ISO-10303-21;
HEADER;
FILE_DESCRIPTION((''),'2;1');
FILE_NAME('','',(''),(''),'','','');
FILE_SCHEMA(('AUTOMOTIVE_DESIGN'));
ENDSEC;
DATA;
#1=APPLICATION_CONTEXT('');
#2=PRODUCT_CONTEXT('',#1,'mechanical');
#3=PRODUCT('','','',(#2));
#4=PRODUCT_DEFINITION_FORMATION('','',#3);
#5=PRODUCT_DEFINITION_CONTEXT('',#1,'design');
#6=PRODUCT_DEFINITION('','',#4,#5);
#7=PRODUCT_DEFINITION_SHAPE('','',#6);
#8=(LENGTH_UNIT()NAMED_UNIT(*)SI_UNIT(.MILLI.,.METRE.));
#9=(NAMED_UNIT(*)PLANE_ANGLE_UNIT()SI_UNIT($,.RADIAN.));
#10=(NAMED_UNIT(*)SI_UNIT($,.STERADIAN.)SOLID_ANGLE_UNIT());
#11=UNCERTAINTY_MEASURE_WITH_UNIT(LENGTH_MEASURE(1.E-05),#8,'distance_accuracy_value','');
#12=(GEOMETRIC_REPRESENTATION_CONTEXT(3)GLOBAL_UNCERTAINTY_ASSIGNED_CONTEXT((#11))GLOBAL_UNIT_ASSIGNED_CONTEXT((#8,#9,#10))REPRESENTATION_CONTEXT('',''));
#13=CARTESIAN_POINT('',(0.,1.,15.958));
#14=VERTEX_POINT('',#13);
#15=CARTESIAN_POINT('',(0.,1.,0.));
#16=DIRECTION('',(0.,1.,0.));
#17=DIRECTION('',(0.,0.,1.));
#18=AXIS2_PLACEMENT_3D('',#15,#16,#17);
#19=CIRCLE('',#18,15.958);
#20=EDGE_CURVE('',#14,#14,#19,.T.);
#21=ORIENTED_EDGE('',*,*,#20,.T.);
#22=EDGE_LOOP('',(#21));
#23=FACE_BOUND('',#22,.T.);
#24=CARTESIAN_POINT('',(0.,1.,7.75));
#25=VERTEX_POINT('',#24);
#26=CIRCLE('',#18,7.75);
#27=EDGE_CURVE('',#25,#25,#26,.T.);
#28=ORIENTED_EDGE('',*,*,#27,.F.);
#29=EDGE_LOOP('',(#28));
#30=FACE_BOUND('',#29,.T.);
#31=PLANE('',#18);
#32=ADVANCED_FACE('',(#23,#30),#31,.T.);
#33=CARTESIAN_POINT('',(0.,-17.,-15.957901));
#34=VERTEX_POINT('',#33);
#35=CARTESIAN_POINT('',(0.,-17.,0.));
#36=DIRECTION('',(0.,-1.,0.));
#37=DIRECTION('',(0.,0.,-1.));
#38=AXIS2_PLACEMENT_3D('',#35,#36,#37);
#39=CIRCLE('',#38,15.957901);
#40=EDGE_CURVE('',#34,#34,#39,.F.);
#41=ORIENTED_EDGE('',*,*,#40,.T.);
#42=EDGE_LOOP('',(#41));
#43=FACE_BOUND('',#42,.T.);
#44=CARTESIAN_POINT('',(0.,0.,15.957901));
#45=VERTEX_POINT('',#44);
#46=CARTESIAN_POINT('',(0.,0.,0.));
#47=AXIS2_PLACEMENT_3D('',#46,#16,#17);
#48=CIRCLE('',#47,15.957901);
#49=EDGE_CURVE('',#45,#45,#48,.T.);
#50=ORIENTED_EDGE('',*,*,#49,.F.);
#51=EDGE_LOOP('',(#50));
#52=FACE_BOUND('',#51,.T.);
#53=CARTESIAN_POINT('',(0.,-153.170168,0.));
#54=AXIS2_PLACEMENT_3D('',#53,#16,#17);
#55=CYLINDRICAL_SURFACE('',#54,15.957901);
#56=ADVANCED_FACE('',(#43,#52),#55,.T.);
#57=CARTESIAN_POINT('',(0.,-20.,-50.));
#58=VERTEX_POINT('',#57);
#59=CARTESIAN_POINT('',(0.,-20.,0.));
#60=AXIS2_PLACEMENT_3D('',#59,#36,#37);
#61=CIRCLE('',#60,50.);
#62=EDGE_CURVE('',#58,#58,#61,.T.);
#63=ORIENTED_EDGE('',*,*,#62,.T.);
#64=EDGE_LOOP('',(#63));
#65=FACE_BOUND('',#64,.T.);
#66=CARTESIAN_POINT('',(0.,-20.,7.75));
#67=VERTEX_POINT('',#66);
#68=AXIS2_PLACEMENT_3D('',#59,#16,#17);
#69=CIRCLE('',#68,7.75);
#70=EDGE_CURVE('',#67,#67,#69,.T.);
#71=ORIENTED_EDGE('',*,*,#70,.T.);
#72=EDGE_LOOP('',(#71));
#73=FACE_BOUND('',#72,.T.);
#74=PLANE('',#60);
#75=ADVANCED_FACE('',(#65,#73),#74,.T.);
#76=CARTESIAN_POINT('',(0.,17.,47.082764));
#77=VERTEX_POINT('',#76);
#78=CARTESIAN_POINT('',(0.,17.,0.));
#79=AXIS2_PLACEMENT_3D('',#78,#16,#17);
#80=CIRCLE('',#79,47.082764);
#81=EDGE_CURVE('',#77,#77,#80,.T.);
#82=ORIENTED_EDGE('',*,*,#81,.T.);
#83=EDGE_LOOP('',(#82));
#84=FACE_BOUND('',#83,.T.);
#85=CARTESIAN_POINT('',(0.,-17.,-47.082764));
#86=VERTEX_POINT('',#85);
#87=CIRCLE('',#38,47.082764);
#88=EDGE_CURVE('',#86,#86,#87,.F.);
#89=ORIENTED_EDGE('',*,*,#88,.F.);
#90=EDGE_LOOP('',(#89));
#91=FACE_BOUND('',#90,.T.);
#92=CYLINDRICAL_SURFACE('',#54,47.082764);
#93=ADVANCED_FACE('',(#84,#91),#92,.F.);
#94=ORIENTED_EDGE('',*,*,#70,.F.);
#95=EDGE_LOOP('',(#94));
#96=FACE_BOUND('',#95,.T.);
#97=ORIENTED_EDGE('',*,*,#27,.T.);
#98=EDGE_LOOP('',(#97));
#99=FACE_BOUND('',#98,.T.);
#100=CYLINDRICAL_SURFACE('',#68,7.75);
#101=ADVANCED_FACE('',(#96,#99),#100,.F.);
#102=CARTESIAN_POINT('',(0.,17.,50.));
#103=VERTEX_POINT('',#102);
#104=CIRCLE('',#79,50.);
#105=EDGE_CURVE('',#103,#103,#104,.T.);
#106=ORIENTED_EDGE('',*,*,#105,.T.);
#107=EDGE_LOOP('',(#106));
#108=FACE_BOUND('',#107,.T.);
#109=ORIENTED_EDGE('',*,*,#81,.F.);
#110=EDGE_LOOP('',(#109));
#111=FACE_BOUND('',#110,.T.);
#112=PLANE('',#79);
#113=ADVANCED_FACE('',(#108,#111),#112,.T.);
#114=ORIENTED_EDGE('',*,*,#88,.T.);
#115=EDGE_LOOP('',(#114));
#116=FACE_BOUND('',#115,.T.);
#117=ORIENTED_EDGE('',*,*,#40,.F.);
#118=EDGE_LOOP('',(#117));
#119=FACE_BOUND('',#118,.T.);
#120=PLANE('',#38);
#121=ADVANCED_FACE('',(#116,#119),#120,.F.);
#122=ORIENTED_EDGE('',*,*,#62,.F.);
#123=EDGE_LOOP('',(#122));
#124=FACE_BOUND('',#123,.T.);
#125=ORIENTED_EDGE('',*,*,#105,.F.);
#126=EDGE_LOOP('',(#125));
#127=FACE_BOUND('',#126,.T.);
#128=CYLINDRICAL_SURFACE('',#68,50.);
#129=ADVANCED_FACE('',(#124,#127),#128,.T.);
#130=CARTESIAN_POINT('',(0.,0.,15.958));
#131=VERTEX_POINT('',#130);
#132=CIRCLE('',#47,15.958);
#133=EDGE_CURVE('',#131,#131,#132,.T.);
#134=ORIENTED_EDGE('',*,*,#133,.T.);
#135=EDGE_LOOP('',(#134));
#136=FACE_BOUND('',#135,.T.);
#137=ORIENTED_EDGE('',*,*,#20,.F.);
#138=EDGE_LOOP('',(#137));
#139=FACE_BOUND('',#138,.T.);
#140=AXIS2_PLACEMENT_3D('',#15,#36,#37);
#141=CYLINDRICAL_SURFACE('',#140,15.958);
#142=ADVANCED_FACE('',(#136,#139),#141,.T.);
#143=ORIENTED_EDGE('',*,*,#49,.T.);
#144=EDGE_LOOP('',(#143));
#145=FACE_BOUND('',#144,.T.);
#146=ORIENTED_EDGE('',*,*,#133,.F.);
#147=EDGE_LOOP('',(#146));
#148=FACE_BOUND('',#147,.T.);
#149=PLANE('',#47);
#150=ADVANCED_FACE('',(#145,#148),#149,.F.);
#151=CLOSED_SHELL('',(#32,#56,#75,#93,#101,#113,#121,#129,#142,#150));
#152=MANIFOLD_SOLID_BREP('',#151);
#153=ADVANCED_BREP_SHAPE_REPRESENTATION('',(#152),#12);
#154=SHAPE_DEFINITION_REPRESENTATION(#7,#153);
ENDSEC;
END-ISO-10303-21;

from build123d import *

# Parameters (mm, degrees)
SKETCH1_R                      = 15.958
SHAFTHOLDERNEARMOTOR_DEPTH     = 1
SKETCH2_R                      = 3.4
CUT_EXTRUDE1_DEPTH             = 16.85
SKETCH10_R                     = 50
BOSS_EXTRUDE4_DEPTH            = 20
SKETCH12_R                     = 47.082764373
SKETCH12_R_2                   = 15.95790089
CUTTOREMVEEXCESSMATERIAL_DEPTH = 17
SKETCH13_R                     = 50
SKETCH13_R_2                   = 47.082764373
BOSS_EXTRUDE5_DEPTH            = 17
SKETCH32_R                     = 7.75
CUT_EXTRUDE2_DEPTH             = 22


with BuildPart() as part:
    # Sketch1 → ShaftHolderNearMotor (new body)
    with BuildSketch(Plane(origin=(0, 0, 0), x_dir=(1, 0, 0), z_dir=(0, 1, 0))):
        Circle(SKETCH1_R)
    extrude(amount=SHAFTHOLDERNEARMOTOR_DEPTH)

    # Sketch2 → Cut-Extrude1 (cut)
    with BuildSketch(Plane(origin=(0, 1, 0), x_dir=(1, 0, 0), z_dir=(0, 1, 0))):
        Circle(SKETCH2_R)
    extrude(amount=-CUT_EXTRUDE1_DEPTH, mode=Mode.SUBTRACT)

    # Sketch10 → Boss-Extrude4 (add)
    with BuildSketch(Plane.XZ):
        Circle(SKETCH10_R)
    extrude(amount=BOSS_EXTRUDE4_DEPTH)

    # Sketch12 → CutToRemveExcessMaterial (cut)
    with BuildSketch(Plane(origin=(0, 0, 0), x_dir=(1, 0, 0), z_dir=(0, 1, 0))):
        Circle(SKETCH12_R)
        Circle(SKETCH12_R_2, mode=Mode.SUBTRACT)
    extrude(amount=-CUTTOREMVEEXCESSMATERIAL_DEPTH, mode=Mode.SUBTRACT)

    # Sketch13 → Boss-Extrude5 (add)
    with BuildSketch(Plane(origin=(0, 0, 0), x_dir=(1, 0, 0), z_dir=(0, 1, 0))):
        Circle(SKETCH13_R)
        Circle(SKETCH13_R_2, mode=Mode.SUBTRACT)
    extrude(amount=BOSS_EXTRUDE5_DEPTH)

    # Sketch32 → Cut-Extrude2 (cut, through all)
    with BuildSketch(Plane(origin=(0, 1, 0), x_dir=(1, 0, 0), z_dir=(0, 1, 0))):
        Circle(SKETCH32_R)
    extrude(amount=-CUT_EXTRUDE2_DEPTH, mode=Mode.SUBTRACT)


solid = part.part
